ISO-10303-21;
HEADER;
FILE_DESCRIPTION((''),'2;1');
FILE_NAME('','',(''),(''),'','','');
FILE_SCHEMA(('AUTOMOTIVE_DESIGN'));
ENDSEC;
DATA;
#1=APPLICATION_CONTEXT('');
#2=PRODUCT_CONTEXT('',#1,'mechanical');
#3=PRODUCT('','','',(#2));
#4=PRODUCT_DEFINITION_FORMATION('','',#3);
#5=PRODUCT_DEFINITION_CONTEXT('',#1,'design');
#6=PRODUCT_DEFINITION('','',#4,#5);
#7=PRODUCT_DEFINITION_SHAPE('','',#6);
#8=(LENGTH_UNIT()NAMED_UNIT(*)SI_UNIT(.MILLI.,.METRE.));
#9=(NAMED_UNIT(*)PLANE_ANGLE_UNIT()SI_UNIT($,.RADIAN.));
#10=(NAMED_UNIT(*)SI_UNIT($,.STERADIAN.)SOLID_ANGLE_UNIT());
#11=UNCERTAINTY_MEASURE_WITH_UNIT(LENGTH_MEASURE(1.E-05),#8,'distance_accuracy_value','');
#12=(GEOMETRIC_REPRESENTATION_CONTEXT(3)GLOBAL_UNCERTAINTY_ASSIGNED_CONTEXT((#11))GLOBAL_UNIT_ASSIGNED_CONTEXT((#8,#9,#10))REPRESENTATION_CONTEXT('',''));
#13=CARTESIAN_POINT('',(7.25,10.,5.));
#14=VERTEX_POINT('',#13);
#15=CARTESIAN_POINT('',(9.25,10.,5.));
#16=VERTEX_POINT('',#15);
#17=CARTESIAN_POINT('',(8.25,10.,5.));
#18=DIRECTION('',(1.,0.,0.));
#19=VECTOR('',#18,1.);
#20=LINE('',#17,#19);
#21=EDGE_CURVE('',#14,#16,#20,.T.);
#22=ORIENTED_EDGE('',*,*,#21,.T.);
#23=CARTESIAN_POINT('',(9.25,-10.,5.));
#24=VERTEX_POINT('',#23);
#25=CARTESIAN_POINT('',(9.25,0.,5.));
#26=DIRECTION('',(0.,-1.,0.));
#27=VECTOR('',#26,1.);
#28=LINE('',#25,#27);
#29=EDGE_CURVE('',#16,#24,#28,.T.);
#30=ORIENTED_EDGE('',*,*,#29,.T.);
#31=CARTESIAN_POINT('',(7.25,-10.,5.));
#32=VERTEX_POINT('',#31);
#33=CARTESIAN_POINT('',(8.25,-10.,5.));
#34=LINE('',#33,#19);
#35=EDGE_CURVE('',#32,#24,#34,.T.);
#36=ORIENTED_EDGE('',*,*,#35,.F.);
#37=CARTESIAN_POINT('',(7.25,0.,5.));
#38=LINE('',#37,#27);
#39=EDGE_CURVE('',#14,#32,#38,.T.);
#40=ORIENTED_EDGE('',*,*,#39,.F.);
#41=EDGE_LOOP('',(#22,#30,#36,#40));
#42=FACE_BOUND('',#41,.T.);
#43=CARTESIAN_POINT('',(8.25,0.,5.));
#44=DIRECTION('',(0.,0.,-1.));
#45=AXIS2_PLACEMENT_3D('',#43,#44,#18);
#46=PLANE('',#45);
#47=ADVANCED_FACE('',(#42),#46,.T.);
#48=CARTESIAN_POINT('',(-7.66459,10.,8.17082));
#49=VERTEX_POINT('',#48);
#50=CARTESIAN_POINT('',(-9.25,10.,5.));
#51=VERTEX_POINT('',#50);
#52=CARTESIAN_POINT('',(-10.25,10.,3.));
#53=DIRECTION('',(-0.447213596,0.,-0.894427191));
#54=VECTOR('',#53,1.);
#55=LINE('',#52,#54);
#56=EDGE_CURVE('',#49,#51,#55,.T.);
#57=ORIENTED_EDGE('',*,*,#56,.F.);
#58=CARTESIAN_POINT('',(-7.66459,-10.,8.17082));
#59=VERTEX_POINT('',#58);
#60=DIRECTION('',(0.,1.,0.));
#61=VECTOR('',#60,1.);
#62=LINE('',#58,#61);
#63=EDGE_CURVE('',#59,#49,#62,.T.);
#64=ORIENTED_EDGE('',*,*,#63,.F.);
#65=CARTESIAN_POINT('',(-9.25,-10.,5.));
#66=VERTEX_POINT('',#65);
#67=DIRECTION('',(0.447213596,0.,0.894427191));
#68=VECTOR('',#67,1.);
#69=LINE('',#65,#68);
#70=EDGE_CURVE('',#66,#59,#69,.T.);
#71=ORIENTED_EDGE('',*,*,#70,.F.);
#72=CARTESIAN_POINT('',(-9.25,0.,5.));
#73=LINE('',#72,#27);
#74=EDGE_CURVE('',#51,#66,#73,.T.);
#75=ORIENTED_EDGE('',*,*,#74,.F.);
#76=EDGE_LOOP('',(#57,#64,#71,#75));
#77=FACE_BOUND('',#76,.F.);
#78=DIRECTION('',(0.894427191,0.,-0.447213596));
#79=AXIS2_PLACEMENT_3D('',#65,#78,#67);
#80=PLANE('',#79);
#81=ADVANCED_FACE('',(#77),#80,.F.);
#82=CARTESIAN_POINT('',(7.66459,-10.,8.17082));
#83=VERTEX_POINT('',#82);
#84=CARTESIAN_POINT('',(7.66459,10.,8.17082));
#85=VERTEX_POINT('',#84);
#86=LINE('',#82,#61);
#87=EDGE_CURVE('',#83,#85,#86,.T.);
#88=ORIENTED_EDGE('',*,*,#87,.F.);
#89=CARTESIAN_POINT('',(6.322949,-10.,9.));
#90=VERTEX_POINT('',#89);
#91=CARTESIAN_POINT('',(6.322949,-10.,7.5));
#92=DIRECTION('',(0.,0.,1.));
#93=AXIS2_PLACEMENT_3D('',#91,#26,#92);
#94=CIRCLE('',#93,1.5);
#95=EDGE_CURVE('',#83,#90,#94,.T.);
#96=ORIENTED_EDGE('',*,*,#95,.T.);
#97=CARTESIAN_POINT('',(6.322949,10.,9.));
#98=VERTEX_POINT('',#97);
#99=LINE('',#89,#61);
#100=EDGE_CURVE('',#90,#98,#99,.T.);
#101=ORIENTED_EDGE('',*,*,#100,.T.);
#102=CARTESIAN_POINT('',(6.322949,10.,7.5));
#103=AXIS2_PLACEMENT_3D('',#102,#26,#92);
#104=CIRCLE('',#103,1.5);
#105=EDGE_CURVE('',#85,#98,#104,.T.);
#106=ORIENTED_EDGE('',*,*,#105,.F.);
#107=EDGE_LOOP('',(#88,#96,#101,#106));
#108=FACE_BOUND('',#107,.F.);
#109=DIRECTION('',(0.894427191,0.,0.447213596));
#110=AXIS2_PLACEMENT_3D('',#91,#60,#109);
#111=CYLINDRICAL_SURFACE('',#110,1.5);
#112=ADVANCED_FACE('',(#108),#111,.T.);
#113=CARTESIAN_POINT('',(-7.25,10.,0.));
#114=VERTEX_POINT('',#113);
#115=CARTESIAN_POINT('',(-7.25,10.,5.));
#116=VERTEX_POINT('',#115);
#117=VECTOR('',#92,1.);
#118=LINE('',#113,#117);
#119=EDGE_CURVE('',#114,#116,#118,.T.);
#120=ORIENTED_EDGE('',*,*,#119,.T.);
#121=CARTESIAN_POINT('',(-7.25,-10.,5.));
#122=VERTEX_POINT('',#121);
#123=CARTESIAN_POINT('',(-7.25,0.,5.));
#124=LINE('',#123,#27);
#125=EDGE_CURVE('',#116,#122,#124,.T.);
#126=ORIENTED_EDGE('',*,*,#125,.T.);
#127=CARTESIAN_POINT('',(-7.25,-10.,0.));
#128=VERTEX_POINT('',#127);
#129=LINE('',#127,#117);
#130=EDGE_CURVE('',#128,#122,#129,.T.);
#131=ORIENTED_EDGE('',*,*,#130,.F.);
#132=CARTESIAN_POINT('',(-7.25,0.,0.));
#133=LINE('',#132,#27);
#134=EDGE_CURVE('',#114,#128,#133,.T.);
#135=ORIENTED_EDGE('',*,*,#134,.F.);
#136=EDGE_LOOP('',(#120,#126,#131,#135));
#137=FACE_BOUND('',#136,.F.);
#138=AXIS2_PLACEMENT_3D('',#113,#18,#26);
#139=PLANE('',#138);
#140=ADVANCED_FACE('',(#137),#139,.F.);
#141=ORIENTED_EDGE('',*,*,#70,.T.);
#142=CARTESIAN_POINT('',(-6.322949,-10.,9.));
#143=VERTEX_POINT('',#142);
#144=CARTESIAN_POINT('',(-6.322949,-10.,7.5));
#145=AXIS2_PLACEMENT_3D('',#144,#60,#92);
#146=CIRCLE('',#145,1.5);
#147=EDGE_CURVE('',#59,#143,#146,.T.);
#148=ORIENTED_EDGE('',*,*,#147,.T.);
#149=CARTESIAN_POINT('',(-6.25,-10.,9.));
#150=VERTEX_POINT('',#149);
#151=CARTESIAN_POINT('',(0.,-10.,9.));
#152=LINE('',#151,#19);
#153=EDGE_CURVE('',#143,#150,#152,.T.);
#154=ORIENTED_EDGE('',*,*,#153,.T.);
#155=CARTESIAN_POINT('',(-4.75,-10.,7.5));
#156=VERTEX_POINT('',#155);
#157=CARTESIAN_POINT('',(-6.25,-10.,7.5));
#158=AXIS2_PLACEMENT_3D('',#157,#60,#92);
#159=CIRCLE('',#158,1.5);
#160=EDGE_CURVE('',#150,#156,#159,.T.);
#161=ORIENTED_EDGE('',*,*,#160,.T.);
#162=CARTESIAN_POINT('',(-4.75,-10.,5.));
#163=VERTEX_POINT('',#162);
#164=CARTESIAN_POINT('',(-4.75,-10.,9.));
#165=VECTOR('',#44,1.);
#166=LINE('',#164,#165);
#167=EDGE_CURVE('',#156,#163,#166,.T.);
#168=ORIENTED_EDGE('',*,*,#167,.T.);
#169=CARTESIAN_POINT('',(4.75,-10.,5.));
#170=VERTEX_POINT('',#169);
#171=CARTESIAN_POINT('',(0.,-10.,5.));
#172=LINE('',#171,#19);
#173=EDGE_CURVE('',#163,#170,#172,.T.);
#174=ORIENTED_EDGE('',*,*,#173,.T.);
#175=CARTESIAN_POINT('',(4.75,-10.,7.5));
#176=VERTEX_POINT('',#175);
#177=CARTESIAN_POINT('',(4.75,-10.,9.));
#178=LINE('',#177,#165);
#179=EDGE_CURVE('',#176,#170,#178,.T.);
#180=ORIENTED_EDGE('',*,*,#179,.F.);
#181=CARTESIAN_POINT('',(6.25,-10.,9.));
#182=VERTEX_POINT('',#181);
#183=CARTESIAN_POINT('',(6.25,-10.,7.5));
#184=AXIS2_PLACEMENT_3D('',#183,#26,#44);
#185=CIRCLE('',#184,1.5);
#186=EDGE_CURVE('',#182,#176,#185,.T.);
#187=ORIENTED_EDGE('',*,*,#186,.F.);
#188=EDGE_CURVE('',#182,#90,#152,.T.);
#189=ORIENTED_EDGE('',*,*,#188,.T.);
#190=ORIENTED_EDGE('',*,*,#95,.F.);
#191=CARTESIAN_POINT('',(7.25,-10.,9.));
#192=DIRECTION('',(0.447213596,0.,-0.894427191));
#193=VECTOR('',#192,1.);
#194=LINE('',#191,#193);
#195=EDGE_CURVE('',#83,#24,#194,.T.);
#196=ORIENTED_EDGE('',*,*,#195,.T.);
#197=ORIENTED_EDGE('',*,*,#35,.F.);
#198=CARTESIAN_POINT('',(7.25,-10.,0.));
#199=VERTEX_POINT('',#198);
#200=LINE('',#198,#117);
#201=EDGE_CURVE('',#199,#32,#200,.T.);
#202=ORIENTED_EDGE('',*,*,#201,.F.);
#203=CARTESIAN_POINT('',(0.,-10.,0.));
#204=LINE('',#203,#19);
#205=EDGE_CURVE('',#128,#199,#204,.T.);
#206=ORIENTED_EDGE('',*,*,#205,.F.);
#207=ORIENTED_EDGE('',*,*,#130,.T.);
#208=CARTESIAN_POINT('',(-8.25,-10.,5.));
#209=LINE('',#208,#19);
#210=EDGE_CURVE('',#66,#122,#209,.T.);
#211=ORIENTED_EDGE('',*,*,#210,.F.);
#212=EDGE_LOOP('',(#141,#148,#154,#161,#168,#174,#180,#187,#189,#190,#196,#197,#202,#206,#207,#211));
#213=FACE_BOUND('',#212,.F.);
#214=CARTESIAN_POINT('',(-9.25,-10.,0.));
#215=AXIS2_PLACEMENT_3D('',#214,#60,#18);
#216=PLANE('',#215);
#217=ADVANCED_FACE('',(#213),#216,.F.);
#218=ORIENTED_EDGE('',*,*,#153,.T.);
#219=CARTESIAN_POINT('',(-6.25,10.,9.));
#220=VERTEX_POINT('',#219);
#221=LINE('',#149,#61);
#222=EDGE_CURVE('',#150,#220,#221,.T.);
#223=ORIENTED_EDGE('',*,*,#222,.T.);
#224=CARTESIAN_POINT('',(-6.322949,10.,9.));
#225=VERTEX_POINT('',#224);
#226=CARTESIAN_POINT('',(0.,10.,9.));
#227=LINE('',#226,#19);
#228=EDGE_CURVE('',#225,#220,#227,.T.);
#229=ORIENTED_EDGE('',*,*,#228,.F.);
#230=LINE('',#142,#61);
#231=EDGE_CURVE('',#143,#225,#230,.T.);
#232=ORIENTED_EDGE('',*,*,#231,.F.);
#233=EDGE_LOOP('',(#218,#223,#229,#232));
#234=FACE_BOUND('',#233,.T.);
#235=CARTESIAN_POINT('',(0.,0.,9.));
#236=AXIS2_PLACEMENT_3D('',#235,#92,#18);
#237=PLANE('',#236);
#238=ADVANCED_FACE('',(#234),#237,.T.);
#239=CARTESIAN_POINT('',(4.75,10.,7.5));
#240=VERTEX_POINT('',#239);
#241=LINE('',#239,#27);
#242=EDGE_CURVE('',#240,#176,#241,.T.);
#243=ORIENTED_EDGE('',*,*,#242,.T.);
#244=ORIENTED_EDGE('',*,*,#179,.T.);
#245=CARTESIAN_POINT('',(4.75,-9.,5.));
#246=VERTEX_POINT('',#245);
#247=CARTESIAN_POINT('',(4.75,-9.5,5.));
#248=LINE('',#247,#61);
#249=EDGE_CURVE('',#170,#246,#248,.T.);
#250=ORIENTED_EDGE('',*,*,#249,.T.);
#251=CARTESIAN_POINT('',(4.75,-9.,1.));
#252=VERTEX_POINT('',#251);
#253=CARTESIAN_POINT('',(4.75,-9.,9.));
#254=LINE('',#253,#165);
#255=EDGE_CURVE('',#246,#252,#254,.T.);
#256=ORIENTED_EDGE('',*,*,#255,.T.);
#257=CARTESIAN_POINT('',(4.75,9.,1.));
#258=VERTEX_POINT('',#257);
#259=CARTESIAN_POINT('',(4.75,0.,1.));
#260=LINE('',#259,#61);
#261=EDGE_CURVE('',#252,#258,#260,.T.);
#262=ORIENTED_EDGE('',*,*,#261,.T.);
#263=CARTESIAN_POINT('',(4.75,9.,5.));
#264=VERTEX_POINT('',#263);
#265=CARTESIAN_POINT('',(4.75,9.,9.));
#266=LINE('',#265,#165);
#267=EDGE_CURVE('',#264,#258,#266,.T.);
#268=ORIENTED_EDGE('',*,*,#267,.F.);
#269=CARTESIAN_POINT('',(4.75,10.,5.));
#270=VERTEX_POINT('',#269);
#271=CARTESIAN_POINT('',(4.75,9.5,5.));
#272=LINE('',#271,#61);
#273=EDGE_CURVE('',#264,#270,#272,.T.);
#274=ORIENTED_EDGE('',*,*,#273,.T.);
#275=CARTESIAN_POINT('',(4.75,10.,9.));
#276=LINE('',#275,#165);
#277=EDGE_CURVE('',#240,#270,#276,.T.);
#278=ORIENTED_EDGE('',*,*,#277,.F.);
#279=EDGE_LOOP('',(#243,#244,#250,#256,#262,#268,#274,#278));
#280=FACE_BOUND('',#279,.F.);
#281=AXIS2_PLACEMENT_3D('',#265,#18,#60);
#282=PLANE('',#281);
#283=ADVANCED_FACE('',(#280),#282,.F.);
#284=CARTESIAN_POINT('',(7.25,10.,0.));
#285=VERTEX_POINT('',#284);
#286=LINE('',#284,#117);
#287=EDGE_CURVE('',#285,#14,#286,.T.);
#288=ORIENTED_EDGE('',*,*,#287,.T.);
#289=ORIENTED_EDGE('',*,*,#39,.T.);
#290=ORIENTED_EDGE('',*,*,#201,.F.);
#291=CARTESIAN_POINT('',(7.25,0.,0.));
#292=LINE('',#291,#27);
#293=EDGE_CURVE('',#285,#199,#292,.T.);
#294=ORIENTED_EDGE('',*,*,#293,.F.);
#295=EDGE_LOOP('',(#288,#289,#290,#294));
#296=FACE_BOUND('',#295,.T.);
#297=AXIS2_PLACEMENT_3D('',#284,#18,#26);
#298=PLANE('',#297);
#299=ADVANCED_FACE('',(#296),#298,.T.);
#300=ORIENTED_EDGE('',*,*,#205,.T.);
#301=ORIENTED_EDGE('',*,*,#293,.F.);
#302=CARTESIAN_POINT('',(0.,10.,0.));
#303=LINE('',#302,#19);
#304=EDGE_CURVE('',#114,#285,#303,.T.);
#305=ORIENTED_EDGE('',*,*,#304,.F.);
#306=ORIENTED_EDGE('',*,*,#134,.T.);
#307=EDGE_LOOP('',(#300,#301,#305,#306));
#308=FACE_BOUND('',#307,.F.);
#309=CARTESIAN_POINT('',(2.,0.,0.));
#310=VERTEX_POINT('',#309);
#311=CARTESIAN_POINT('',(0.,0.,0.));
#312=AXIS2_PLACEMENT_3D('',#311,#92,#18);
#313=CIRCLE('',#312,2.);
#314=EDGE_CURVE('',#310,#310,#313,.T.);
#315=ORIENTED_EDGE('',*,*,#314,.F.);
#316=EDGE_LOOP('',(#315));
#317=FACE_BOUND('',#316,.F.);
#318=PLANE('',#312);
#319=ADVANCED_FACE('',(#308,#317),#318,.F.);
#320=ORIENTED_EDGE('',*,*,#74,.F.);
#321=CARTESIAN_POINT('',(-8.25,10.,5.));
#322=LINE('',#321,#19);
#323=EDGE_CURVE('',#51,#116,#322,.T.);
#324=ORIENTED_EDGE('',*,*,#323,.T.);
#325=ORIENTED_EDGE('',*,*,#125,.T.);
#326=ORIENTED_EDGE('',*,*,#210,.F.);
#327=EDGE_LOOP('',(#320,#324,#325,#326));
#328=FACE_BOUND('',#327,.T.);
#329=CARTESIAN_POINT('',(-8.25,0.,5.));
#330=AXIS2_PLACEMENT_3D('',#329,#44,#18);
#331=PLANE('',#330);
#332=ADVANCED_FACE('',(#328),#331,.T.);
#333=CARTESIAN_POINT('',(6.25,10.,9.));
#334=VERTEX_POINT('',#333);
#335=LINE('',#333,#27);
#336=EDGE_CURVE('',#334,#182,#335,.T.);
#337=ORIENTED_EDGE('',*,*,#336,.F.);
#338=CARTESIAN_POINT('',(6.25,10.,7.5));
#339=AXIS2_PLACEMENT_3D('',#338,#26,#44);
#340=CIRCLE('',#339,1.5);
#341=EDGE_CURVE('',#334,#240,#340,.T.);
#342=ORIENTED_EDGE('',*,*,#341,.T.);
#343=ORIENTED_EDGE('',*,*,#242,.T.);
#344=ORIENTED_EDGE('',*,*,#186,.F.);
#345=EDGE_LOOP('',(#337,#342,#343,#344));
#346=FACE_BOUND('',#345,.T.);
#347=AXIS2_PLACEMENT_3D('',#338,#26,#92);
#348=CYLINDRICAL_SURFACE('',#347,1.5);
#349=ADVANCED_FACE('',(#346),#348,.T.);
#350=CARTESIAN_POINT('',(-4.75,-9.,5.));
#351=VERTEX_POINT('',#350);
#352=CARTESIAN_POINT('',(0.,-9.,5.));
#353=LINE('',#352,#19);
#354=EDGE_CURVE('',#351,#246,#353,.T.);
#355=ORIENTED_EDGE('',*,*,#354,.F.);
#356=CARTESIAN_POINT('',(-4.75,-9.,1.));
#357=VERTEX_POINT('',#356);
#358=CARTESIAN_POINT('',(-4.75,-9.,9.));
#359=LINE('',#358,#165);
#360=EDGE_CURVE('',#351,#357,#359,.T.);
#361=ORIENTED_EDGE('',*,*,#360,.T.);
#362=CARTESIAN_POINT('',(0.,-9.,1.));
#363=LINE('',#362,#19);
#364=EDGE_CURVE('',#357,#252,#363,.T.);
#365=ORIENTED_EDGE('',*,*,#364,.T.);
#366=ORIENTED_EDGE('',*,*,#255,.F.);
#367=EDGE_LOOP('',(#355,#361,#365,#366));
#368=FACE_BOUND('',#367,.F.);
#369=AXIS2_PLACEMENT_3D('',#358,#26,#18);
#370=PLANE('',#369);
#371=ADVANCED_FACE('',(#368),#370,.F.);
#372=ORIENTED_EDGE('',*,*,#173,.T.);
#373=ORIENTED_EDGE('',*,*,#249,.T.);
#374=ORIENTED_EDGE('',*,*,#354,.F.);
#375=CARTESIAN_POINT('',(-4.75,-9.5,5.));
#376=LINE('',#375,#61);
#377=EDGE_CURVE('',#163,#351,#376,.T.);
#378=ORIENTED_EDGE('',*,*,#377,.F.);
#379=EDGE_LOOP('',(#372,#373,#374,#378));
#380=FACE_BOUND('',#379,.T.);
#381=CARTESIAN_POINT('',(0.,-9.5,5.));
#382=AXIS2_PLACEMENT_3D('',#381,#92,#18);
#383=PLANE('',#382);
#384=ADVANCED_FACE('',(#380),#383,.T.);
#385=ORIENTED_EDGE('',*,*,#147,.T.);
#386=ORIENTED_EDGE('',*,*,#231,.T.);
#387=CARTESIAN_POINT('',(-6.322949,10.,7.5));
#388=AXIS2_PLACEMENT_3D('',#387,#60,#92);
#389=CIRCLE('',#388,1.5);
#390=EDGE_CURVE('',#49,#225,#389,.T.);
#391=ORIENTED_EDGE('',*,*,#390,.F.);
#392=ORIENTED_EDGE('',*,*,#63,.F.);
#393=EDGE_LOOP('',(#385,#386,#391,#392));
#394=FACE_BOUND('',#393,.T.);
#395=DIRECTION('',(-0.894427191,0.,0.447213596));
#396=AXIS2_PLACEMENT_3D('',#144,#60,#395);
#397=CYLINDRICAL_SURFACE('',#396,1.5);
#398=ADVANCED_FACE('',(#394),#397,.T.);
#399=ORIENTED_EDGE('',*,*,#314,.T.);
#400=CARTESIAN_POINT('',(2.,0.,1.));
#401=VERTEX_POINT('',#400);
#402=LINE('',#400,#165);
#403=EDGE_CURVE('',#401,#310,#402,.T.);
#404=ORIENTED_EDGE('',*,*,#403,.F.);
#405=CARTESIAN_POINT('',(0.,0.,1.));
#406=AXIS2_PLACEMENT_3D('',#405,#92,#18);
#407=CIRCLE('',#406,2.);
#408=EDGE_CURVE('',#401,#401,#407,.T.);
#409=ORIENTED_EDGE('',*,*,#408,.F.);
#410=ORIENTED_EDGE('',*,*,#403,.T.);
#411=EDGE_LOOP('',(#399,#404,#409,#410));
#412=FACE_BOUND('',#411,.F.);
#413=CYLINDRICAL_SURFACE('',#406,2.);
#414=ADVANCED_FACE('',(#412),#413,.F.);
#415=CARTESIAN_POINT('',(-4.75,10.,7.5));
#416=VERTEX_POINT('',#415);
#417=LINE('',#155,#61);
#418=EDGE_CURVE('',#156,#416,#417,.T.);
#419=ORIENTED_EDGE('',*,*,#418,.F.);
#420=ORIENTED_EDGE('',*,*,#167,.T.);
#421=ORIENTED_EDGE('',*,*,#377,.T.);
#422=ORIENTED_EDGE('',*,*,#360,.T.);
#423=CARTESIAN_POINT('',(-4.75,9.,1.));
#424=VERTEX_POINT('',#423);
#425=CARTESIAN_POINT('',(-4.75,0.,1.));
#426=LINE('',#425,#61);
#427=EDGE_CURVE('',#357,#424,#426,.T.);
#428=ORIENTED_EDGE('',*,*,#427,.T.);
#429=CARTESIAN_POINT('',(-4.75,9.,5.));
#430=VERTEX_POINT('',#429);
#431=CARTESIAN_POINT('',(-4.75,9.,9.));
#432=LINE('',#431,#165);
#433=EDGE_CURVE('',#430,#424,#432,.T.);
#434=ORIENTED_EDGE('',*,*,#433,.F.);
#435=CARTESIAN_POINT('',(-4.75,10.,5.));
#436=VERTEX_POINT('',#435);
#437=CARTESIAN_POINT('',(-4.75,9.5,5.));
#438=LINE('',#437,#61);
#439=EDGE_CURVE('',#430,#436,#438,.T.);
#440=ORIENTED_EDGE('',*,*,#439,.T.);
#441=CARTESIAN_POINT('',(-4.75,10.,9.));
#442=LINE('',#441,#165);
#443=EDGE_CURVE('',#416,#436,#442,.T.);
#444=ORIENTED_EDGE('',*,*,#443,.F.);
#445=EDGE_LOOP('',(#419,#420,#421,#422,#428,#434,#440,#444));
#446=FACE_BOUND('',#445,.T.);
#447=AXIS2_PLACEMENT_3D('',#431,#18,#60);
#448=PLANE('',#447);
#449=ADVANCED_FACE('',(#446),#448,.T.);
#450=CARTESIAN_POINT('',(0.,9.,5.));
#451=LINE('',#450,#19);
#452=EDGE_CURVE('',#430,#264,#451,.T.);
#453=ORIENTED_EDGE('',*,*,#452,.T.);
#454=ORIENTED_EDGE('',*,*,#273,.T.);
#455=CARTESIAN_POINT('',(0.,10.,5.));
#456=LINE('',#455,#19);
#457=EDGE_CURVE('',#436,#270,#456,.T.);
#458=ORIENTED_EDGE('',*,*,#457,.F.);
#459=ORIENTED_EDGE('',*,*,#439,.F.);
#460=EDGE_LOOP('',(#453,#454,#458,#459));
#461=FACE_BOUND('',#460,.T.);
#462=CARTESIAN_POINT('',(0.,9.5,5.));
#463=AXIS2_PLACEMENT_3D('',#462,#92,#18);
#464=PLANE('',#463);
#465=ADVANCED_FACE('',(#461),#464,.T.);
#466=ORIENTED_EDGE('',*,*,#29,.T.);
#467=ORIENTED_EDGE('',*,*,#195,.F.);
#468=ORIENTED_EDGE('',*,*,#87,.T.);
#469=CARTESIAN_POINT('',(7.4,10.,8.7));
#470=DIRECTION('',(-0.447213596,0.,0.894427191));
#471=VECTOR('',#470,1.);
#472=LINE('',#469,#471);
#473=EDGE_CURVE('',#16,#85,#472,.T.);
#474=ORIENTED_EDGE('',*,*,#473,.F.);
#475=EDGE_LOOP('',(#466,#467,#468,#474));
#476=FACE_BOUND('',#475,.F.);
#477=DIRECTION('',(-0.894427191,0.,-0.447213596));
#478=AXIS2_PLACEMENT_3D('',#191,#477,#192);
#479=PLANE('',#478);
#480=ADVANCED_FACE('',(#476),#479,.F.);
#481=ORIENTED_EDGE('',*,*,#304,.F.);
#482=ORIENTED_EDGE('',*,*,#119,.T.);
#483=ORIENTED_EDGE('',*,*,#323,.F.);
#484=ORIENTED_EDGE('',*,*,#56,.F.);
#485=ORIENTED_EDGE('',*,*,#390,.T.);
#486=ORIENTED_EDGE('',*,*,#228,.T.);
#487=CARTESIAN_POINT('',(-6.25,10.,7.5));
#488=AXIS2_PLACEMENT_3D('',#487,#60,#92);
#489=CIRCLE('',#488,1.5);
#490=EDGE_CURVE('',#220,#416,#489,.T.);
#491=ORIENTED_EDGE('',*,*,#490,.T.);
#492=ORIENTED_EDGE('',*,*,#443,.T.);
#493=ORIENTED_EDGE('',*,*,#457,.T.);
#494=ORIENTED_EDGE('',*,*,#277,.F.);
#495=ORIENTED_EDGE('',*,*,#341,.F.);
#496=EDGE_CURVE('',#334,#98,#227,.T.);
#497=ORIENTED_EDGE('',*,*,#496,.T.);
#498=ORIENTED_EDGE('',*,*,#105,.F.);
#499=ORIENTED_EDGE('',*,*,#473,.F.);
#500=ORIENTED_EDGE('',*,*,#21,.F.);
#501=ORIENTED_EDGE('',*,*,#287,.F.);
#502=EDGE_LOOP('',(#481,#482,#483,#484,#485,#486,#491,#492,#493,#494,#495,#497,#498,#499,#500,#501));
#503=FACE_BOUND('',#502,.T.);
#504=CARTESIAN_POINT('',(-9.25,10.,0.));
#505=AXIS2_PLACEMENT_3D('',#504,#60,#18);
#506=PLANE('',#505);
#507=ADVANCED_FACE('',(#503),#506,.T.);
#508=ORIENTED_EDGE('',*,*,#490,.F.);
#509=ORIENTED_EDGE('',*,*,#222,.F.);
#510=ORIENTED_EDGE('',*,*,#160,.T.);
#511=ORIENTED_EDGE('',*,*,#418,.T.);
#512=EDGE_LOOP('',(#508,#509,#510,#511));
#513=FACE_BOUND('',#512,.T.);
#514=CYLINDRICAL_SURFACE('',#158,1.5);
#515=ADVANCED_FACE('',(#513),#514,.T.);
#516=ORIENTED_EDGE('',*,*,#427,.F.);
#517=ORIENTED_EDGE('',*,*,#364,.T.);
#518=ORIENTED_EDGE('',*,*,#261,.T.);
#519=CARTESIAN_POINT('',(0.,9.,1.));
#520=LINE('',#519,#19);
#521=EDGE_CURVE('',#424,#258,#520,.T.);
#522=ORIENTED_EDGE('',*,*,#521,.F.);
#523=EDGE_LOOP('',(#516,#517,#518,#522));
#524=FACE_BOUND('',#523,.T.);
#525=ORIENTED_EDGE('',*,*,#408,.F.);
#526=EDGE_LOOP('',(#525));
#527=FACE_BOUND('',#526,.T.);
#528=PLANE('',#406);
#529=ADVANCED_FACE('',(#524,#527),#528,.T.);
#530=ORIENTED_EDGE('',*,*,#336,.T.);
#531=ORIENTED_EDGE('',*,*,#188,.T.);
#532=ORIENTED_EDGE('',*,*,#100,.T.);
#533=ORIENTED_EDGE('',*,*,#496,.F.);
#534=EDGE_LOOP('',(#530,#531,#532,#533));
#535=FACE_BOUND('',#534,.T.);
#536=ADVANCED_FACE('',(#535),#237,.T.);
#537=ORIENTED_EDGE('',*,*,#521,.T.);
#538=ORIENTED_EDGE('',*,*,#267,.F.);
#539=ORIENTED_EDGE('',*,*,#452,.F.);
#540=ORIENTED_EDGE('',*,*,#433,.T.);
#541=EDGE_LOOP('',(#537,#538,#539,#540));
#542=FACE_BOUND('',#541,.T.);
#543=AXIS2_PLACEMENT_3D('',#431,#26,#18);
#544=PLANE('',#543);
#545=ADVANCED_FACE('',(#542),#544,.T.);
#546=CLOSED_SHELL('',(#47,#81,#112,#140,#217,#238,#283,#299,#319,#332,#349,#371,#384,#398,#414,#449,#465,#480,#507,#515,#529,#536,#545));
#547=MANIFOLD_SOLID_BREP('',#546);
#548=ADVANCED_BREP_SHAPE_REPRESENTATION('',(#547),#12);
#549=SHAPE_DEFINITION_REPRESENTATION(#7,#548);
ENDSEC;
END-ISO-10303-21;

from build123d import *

# Parameters (mm, degrees)
F0_W      = 18.5
F0_H      = 20
F1_DEPTH  = 9
F2_W      = 2
F2_H      = 20
F3_DEPTH  = 5
F4_W      = 9.5
F4_H      = 18
F5_DEPTH  = 8
F6_W      = 9.5
F6_H      = 1
F7_DEPTH  = 4
F8_R      = 2
F9_DEPTH  = 25
F11_DEPTH = 20.001
F12_R     = 1.5


with BuildPart() as f1:
    # F0 (on Top) → F1 (new body)
    with BuildSketch(Plane.XY):
        Rectangle(F0_W, F0_H)
    extrude(amount=F1_DEPTH)

    # F2 (on face) → F3 (cut)
    with BuildSketch(Plane(origin=(0, 0, 0), x_dir=(1, 0, 0), z_dir=(0, 0, -1))):
        with Locations((-8.25, 0)):
            Rectangle(F2_W, F2_H)
        with Locations((8.25, 0)):
            Rectangle(F2_W, F2_H)
    extrude(amount=-F3_DEPTH, mode=Mode.SUBTRACT)

    # F4 (on face) → F5 (cut)
    with BuildSketch(Plane.XY.offset(9)):
        Rectangle(F4_W, F4_H)
    extrude(amount=-F5_DEPTH, mode=Mode.SUBTRACT)

    # F6 (on face) → F7 (cut)
    with BuildSketch(Plane.XY.offset(9)):
        with Locations((0, -9.5)):
            Rectangle(F6_W, F6_H)
        with Locations((0, 9.5)):
            Rectangle(F6_W, F6_H)
    extrude(amount=-F7_DEPTH, mode=Mode.SUBTRACT)

    # F8 (on face) → F9 (cut)
    with BuildSketch(Plane.XY.offset(1)):
        Circle(F8_R)
    extrude(amount=-F9_DEPTH, mode=Mode.SUBTRACT)

    # F10 (on face) → F11 (cut, through all)
    with BuildSketch(Plane.XZ.offset(10)):
        Polygon((-9.25, 9), (-9.25, 5), (-7.25, 9), align=None)
        Polygon((7.25, 9), (9.25, 5), (9.25, 9), align=None)
    extrude(amount=-F11_DEPTH, mode=Mode.SUBTRACT)

    # F12
    f12_edges = [f1.edges().sort_by_distance(p)[0] for p in [
        (-4.75, 0, 9),
        (-7.25, 0, 9),
        (4.75, 0, 9),
        (7.25, 0, 9),
    ]]
    fillet(f12_edges, radius=F12_R)


solid = f1.part
